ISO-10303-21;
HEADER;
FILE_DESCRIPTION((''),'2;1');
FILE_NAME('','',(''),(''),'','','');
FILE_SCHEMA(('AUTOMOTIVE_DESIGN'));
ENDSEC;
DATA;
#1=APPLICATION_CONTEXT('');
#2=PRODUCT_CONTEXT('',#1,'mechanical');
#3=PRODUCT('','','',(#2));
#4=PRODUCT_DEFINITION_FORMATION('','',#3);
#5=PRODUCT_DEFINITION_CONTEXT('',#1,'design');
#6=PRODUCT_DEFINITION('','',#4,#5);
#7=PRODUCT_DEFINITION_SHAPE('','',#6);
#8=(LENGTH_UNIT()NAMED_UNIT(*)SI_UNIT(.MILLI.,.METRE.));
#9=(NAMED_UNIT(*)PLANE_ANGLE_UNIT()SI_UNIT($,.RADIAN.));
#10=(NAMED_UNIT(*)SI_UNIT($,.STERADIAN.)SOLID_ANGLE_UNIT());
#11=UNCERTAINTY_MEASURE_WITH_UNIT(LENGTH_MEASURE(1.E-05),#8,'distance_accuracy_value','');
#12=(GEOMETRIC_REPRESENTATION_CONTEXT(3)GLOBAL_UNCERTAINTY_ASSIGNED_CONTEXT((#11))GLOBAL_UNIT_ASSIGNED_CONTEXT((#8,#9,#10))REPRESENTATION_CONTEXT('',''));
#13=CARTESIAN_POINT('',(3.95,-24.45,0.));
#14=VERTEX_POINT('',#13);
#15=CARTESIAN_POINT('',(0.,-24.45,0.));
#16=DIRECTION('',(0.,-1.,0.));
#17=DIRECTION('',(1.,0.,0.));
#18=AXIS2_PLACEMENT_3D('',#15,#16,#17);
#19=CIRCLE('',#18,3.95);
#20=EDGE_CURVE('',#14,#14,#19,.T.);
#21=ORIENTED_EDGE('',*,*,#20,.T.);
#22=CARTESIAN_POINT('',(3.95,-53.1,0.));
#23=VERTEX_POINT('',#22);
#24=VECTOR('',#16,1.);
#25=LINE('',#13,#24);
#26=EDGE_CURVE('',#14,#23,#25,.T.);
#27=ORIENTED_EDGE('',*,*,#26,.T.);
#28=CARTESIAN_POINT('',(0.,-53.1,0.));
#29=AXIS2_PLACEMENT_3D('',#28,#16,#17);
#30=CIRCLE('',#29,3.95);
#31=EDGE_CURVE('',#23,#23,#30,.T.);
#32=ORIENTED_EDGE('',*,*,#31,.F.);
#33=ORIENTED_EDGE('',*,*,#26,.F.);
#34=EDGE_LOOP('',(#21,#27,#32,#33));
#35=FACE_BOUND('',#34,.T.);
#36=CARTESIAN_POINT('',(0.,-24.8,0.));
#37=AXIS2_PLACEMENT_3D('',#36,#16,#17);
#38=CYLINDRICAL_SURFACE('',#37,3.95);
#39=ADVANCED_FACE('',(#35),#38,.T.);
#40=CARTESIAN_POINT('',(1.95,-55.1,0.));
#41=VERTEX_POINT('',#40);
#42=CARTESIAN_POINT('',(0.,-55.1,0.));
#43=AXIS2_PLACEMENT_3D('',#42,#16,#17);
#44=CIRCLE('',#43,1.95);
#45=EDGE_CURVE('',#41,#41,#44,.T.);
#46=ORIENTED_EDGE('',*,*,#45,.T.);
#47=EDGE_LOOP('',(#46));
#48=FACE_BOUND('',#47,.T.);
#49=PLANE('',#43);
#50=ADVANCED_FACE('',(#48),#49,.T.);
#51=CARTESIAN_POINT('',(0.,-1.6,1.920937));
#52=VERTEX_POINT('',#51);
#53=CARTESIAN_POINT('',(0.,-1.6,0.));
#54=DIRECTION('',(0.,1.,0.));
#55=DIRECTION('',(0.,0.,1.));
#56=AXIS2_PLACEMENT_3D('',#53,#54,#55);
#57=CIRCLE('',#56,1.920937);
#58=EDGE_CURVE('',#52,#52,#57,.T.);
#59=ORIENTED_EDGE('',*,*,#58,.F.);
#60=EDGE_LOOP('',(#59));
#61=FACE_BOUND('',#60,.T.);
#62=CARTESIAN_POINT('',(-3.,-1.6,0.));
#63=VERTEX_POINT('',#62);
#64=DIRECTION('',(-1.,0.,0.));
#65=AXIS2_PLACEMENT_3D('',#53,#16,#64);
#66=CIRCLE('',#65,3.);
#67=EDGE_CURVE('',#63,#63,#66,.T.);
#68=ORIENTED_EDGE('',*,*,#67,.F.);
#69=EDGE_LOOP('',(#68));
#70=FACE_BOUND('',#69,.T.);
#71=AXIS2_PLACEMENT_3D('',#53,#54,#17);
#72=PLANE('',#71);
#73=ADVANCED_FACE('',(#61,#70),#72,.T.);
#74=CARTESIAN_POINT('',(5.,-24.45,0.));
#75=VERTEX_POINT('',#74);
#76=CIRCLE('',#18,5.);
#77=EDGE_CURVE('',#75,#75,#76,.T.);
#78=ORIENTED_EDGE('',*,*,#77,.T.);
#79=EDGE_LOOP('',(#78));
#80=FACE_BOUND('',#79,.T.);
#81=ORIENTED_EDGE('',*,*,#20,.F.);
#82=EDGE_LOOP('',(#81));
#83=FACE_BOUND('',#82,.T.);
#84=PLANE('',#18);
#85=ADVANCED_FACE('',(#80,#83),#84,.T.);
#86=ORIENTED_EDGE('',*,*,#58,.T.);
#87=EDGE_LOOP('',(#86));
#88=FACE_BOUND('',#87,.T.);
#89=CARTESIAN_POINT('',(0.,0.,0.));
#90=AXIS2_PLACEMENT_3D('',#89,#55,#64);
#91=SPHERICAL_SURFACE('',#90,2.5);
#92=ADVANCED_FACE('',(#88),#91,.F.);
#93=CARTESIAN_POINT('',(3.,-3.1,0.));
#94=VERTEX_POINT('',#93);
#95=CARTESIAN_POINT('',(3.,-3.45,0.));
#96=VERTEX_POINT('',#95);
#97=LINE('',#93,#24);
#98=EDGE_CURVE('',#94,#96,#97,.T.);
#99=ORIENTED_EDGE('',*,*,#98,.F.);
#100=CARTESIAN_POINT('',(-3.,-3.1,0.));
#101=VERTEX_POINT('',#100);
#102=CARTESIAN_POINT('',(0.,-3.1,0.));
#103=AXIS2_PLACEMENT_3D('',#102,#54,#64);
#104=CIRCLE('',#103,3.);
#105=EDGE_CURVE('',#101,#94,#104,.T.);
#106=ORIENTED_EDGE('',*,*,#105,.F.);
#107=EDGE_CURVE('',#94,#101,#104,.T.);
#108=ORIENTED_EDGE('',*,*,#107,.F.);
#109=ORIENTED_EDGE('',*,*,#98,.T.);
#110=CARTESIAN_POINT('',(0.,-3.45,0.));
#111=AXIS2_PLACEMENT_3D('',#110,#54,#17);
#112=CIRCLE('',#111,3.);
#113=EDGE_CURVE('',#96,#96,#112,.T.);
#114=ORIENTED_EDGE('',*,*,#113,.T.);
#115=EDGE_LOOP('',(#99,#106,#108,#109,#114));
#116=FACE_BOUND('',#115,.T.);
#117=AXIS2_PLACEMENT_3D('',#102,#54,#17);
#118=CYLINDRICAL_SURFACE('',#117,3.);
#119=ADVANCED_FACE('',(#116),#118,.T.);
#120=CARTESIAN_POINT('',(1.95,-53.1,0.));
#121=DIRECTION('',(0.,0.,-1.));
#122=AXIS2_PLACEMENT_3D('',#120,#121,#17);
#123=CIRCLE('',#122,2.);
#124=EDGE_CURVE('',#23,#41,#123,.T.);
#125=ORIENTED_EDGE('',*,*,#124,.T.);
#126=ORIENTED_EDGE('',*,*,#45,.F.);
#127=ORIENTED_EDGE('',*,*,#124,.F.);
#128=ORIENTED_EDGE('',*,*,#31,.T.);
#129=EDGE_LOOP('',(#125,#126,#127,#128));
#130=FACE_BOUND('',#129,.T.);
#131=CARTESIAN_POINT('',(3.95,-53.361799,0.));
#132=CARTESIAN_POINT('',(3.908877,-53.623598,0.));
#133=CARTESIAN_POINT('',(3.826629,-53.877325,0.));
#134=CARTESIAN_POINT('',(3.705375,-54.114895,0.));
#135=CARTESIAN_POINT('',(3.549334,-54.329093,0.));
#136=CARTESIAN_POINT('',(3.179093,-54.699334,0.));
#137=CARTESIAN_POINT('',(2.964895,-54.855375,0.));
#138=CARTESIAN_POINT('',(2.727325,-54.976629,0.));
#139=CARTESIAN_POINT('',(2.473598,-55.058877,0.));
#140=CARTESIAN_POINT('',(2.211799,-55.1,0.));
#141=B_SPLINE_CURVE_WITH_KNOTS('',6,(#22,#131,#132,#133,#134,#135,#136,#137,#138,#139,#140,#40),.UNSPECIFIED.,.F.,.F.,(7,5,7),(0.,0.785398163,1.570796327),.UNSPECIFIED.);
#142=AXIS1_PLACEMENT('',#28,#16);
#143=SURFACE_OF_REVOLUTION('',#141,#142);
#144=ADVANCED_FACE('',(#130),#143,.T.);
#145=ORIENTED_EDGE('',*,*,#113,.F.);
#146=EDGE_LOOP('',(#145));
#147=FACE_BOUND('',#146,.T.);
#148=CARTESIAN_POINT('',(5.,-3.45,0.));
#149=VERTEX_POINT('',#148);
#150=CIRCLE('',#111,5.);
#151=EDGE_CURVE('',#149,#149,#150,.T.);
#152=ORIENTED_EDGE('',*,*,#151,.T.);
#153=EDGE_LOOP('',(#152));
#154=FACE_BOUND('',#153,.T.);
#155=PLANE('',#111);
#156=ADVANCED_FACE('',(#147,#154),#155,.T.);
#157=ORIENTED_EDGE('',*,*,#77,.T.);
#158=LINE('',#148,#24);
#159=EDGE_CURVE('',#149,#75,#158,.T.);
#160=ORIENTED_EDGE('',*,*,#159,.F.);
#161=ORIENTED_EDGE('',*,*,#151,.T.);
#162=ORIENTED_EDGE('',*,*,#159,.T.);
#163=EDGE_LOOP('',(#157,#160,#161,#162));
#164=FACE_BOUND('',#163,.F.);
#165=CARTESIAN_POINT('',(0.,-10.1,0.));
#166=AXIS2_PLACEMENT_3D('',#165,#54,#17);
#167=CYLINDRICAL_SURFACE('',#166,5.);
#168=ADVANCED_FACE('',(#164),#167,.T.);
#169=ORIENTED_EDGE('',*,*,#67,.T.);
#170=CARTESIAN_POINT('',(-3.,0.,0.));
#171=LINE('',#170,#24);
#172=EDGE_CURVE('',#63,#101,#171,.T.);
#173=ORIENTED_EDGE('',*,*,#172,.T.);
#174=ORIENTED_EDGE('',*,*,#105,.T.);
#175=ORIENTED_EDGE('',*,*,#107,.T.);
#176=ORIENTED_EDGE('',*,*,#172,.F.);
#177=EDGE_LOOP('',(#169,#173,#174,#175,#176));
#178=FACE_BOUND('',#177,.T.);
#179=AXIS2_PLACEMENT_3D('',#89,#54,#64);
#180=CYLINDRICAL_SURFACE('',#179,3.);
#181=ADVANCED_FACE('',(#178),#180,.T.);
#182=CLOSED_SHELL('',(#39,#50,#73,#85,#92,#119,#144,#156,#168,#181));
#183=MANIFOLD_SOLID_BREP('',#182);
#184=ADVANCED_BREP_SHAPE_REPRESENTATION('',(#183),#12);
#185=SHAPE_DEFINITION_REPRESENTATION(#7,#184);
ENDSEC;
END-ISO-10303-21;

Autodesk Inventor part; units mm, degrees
ref_plane "YZ Plane" through (0, 0, 0) normal (1, 0, 0) x (0, 1, 0)
ref_plane "XZ Plane" through (0, 0, 0) normal (0, 1, 0) x (-1, 0, 0)
ref_plane "XY Plane" through (0, 0, 0) normal (0, 0, 1) x (1, 0, 0)
sketch "Sketch1" plane through (0, 0, 0) normal (0, 1, 0) x (-1, 0, 0)
  circle A0 centre (0, 0) radius 2.5
  circle A1 centre (0, 0) radius 3
  line L0 (0, 2.5) -> (0, -2.5)
  dimension "d0" = 5
  dimension "d1" = 6
extrude "Extrusion1" add sketch "Sketch1" against normal blind 15 contours A0 L0 | L0 A0 | A1
revolve "Revolution1" cut sketch "Sketch1" angle 360 about axis through (0, 0, 2.5) along (0, 0, -1) picked at (0.5196, 0.6515) contours A0 L0
sketch "Sketch2" plane through (0, 0, 0) normal (0, 1, 0) x (1, 0, 0)
  circle A0 centre (0, 0) radius 3 projected
  circle A1 centre (0, 0) radius 2.5 projected
extrude "Extrusion2" cut sketch "Sketch2" against normal blind 1.1 contours A0 | A1
sketch "Sketch3" plane through (0, -15, 0) normal (0, -1, 0) x (1, 0, 0)
  circle A0 centre (0, 0) radius 5
  circle A1 centre (0, 0) radius 3 projected
  dimension "d7" = 10
extrude "Extrusion3" add sketch "Sketch3" against normal blind 10
sketch "Sketch4" plane through (0, -15, 0) normal (0, -1, 0) x (1, 0, 0)
  circle A0 centre (0, 0) radius 5 projected
extrude "Extrusion4" cut sketch "Sketch4" against normal blind 5
sketch "Sketch5" plane through (0, -10, 0) normal (0, -1, 0) x (1, 0, 0)
  circle A0 centre (0, 0) radius 3.95
  dimension "d12" = 7.9
extrude "Extrusion5" add sketch "Sketch5" along normal blind 45
sketch "Sketch6" plane through (0, -5, 0) normal (0, 1, 0) x (1, 0, 0)
  circle A0 centre (0, 0) radius 3 projected
  circle A1 centre (0, 0) radius 5 projected
extrude "Extrusion6" cut sketch "Sketch6" against normal blind 0.1
sketch "Sketch7" plane through (0, -10, 0) normal (0, -1, 0) x (1, 0, 0)
  circle A0 centre (0, 0) radius 5 projected
  circle A1 centre (0, 0) radius 3.95 projected
extrude "Extrusion7" add sketch "Sketch7" along normal blind 0.1
sketch "Sketch8" plane through (0, -55, 0) normal (0, -1, 0) x (1, 0, 0)
  circle A0 centre (0, 0) radius 3.95 projected
extrude "Extrusion8" add sketch "Sketch8" along normal blind 0.1
sketch "Sketch9" plane through (0, -5.1, 0) normal (0, 1, 0) x (1, 0, 0)
  circle A0 centre (0, 0) radius 5 projected
extrude "Extrusion9" add sketch "Sketch9" along normal blind 2
sketch "Sketch10" plane through (0, -10.1, 0) normal (0, -1, 0) x (1, 0, 0)
  circle A0 centre (0, 0) radius 5 projected
  circle A1 centre (0, 0) radius 3.95 projected
extrude "Extrusion10" cut sketch "Sketch10" against normal blind 2
extrude "Extrusion11" add sketch "Sketch10" against normal blind 2
extrude "Extrusion12" add sketch "Sketch10" along normal blind 14.7
sketch "Sketch11" plane through (0, -1.1, 0) normal (0, 1, 0) x (1, 0, 0)
  circle A0 centre (0, 0) radius 3 projected
extrude "Extrusion13" cut sketch "Sketch11" against normal blind 0.3
sketch "Sketch12" plane through (0, -3.1, 0) normal (0, 1, 0) x (1, 0, 0)
  circle A0 centre (0, 0) radius 5 projected
  circle A1 centre (0, 0) radius 3 projected
extrude "Extrusion14" cut sketch "Sketch12" against normal blind 0.35
sketch "Sketch13" plane through (0, -24.8, 0) normal (0, -1, 0) x (1, 0, 0)
  circle A0 centre (0, 0) radius 3.95 projected
  circle A1 centre (0, 0) radius 5 projected
extrude "Extrusion15" cut sketch "Sketch13" against normal blind 0.35
sketch "Sketch14" plane through (0, -1.4, 0) normal (0, 1, 0) x (1, 0, 0)
  circle A0 centre (0, 0) radius 2.0712 projected
  circle A1 centre (0, 0) radius 3 projected
extrude "Extrusion16" cut sketch "Sketch14" against normal blind 0.2 contours A0 | A1
fillet "Fillet1" radius 2 1 edges at (-3.95, -55.1, 0)
properties part number "BARRA V3_3DPrint"
